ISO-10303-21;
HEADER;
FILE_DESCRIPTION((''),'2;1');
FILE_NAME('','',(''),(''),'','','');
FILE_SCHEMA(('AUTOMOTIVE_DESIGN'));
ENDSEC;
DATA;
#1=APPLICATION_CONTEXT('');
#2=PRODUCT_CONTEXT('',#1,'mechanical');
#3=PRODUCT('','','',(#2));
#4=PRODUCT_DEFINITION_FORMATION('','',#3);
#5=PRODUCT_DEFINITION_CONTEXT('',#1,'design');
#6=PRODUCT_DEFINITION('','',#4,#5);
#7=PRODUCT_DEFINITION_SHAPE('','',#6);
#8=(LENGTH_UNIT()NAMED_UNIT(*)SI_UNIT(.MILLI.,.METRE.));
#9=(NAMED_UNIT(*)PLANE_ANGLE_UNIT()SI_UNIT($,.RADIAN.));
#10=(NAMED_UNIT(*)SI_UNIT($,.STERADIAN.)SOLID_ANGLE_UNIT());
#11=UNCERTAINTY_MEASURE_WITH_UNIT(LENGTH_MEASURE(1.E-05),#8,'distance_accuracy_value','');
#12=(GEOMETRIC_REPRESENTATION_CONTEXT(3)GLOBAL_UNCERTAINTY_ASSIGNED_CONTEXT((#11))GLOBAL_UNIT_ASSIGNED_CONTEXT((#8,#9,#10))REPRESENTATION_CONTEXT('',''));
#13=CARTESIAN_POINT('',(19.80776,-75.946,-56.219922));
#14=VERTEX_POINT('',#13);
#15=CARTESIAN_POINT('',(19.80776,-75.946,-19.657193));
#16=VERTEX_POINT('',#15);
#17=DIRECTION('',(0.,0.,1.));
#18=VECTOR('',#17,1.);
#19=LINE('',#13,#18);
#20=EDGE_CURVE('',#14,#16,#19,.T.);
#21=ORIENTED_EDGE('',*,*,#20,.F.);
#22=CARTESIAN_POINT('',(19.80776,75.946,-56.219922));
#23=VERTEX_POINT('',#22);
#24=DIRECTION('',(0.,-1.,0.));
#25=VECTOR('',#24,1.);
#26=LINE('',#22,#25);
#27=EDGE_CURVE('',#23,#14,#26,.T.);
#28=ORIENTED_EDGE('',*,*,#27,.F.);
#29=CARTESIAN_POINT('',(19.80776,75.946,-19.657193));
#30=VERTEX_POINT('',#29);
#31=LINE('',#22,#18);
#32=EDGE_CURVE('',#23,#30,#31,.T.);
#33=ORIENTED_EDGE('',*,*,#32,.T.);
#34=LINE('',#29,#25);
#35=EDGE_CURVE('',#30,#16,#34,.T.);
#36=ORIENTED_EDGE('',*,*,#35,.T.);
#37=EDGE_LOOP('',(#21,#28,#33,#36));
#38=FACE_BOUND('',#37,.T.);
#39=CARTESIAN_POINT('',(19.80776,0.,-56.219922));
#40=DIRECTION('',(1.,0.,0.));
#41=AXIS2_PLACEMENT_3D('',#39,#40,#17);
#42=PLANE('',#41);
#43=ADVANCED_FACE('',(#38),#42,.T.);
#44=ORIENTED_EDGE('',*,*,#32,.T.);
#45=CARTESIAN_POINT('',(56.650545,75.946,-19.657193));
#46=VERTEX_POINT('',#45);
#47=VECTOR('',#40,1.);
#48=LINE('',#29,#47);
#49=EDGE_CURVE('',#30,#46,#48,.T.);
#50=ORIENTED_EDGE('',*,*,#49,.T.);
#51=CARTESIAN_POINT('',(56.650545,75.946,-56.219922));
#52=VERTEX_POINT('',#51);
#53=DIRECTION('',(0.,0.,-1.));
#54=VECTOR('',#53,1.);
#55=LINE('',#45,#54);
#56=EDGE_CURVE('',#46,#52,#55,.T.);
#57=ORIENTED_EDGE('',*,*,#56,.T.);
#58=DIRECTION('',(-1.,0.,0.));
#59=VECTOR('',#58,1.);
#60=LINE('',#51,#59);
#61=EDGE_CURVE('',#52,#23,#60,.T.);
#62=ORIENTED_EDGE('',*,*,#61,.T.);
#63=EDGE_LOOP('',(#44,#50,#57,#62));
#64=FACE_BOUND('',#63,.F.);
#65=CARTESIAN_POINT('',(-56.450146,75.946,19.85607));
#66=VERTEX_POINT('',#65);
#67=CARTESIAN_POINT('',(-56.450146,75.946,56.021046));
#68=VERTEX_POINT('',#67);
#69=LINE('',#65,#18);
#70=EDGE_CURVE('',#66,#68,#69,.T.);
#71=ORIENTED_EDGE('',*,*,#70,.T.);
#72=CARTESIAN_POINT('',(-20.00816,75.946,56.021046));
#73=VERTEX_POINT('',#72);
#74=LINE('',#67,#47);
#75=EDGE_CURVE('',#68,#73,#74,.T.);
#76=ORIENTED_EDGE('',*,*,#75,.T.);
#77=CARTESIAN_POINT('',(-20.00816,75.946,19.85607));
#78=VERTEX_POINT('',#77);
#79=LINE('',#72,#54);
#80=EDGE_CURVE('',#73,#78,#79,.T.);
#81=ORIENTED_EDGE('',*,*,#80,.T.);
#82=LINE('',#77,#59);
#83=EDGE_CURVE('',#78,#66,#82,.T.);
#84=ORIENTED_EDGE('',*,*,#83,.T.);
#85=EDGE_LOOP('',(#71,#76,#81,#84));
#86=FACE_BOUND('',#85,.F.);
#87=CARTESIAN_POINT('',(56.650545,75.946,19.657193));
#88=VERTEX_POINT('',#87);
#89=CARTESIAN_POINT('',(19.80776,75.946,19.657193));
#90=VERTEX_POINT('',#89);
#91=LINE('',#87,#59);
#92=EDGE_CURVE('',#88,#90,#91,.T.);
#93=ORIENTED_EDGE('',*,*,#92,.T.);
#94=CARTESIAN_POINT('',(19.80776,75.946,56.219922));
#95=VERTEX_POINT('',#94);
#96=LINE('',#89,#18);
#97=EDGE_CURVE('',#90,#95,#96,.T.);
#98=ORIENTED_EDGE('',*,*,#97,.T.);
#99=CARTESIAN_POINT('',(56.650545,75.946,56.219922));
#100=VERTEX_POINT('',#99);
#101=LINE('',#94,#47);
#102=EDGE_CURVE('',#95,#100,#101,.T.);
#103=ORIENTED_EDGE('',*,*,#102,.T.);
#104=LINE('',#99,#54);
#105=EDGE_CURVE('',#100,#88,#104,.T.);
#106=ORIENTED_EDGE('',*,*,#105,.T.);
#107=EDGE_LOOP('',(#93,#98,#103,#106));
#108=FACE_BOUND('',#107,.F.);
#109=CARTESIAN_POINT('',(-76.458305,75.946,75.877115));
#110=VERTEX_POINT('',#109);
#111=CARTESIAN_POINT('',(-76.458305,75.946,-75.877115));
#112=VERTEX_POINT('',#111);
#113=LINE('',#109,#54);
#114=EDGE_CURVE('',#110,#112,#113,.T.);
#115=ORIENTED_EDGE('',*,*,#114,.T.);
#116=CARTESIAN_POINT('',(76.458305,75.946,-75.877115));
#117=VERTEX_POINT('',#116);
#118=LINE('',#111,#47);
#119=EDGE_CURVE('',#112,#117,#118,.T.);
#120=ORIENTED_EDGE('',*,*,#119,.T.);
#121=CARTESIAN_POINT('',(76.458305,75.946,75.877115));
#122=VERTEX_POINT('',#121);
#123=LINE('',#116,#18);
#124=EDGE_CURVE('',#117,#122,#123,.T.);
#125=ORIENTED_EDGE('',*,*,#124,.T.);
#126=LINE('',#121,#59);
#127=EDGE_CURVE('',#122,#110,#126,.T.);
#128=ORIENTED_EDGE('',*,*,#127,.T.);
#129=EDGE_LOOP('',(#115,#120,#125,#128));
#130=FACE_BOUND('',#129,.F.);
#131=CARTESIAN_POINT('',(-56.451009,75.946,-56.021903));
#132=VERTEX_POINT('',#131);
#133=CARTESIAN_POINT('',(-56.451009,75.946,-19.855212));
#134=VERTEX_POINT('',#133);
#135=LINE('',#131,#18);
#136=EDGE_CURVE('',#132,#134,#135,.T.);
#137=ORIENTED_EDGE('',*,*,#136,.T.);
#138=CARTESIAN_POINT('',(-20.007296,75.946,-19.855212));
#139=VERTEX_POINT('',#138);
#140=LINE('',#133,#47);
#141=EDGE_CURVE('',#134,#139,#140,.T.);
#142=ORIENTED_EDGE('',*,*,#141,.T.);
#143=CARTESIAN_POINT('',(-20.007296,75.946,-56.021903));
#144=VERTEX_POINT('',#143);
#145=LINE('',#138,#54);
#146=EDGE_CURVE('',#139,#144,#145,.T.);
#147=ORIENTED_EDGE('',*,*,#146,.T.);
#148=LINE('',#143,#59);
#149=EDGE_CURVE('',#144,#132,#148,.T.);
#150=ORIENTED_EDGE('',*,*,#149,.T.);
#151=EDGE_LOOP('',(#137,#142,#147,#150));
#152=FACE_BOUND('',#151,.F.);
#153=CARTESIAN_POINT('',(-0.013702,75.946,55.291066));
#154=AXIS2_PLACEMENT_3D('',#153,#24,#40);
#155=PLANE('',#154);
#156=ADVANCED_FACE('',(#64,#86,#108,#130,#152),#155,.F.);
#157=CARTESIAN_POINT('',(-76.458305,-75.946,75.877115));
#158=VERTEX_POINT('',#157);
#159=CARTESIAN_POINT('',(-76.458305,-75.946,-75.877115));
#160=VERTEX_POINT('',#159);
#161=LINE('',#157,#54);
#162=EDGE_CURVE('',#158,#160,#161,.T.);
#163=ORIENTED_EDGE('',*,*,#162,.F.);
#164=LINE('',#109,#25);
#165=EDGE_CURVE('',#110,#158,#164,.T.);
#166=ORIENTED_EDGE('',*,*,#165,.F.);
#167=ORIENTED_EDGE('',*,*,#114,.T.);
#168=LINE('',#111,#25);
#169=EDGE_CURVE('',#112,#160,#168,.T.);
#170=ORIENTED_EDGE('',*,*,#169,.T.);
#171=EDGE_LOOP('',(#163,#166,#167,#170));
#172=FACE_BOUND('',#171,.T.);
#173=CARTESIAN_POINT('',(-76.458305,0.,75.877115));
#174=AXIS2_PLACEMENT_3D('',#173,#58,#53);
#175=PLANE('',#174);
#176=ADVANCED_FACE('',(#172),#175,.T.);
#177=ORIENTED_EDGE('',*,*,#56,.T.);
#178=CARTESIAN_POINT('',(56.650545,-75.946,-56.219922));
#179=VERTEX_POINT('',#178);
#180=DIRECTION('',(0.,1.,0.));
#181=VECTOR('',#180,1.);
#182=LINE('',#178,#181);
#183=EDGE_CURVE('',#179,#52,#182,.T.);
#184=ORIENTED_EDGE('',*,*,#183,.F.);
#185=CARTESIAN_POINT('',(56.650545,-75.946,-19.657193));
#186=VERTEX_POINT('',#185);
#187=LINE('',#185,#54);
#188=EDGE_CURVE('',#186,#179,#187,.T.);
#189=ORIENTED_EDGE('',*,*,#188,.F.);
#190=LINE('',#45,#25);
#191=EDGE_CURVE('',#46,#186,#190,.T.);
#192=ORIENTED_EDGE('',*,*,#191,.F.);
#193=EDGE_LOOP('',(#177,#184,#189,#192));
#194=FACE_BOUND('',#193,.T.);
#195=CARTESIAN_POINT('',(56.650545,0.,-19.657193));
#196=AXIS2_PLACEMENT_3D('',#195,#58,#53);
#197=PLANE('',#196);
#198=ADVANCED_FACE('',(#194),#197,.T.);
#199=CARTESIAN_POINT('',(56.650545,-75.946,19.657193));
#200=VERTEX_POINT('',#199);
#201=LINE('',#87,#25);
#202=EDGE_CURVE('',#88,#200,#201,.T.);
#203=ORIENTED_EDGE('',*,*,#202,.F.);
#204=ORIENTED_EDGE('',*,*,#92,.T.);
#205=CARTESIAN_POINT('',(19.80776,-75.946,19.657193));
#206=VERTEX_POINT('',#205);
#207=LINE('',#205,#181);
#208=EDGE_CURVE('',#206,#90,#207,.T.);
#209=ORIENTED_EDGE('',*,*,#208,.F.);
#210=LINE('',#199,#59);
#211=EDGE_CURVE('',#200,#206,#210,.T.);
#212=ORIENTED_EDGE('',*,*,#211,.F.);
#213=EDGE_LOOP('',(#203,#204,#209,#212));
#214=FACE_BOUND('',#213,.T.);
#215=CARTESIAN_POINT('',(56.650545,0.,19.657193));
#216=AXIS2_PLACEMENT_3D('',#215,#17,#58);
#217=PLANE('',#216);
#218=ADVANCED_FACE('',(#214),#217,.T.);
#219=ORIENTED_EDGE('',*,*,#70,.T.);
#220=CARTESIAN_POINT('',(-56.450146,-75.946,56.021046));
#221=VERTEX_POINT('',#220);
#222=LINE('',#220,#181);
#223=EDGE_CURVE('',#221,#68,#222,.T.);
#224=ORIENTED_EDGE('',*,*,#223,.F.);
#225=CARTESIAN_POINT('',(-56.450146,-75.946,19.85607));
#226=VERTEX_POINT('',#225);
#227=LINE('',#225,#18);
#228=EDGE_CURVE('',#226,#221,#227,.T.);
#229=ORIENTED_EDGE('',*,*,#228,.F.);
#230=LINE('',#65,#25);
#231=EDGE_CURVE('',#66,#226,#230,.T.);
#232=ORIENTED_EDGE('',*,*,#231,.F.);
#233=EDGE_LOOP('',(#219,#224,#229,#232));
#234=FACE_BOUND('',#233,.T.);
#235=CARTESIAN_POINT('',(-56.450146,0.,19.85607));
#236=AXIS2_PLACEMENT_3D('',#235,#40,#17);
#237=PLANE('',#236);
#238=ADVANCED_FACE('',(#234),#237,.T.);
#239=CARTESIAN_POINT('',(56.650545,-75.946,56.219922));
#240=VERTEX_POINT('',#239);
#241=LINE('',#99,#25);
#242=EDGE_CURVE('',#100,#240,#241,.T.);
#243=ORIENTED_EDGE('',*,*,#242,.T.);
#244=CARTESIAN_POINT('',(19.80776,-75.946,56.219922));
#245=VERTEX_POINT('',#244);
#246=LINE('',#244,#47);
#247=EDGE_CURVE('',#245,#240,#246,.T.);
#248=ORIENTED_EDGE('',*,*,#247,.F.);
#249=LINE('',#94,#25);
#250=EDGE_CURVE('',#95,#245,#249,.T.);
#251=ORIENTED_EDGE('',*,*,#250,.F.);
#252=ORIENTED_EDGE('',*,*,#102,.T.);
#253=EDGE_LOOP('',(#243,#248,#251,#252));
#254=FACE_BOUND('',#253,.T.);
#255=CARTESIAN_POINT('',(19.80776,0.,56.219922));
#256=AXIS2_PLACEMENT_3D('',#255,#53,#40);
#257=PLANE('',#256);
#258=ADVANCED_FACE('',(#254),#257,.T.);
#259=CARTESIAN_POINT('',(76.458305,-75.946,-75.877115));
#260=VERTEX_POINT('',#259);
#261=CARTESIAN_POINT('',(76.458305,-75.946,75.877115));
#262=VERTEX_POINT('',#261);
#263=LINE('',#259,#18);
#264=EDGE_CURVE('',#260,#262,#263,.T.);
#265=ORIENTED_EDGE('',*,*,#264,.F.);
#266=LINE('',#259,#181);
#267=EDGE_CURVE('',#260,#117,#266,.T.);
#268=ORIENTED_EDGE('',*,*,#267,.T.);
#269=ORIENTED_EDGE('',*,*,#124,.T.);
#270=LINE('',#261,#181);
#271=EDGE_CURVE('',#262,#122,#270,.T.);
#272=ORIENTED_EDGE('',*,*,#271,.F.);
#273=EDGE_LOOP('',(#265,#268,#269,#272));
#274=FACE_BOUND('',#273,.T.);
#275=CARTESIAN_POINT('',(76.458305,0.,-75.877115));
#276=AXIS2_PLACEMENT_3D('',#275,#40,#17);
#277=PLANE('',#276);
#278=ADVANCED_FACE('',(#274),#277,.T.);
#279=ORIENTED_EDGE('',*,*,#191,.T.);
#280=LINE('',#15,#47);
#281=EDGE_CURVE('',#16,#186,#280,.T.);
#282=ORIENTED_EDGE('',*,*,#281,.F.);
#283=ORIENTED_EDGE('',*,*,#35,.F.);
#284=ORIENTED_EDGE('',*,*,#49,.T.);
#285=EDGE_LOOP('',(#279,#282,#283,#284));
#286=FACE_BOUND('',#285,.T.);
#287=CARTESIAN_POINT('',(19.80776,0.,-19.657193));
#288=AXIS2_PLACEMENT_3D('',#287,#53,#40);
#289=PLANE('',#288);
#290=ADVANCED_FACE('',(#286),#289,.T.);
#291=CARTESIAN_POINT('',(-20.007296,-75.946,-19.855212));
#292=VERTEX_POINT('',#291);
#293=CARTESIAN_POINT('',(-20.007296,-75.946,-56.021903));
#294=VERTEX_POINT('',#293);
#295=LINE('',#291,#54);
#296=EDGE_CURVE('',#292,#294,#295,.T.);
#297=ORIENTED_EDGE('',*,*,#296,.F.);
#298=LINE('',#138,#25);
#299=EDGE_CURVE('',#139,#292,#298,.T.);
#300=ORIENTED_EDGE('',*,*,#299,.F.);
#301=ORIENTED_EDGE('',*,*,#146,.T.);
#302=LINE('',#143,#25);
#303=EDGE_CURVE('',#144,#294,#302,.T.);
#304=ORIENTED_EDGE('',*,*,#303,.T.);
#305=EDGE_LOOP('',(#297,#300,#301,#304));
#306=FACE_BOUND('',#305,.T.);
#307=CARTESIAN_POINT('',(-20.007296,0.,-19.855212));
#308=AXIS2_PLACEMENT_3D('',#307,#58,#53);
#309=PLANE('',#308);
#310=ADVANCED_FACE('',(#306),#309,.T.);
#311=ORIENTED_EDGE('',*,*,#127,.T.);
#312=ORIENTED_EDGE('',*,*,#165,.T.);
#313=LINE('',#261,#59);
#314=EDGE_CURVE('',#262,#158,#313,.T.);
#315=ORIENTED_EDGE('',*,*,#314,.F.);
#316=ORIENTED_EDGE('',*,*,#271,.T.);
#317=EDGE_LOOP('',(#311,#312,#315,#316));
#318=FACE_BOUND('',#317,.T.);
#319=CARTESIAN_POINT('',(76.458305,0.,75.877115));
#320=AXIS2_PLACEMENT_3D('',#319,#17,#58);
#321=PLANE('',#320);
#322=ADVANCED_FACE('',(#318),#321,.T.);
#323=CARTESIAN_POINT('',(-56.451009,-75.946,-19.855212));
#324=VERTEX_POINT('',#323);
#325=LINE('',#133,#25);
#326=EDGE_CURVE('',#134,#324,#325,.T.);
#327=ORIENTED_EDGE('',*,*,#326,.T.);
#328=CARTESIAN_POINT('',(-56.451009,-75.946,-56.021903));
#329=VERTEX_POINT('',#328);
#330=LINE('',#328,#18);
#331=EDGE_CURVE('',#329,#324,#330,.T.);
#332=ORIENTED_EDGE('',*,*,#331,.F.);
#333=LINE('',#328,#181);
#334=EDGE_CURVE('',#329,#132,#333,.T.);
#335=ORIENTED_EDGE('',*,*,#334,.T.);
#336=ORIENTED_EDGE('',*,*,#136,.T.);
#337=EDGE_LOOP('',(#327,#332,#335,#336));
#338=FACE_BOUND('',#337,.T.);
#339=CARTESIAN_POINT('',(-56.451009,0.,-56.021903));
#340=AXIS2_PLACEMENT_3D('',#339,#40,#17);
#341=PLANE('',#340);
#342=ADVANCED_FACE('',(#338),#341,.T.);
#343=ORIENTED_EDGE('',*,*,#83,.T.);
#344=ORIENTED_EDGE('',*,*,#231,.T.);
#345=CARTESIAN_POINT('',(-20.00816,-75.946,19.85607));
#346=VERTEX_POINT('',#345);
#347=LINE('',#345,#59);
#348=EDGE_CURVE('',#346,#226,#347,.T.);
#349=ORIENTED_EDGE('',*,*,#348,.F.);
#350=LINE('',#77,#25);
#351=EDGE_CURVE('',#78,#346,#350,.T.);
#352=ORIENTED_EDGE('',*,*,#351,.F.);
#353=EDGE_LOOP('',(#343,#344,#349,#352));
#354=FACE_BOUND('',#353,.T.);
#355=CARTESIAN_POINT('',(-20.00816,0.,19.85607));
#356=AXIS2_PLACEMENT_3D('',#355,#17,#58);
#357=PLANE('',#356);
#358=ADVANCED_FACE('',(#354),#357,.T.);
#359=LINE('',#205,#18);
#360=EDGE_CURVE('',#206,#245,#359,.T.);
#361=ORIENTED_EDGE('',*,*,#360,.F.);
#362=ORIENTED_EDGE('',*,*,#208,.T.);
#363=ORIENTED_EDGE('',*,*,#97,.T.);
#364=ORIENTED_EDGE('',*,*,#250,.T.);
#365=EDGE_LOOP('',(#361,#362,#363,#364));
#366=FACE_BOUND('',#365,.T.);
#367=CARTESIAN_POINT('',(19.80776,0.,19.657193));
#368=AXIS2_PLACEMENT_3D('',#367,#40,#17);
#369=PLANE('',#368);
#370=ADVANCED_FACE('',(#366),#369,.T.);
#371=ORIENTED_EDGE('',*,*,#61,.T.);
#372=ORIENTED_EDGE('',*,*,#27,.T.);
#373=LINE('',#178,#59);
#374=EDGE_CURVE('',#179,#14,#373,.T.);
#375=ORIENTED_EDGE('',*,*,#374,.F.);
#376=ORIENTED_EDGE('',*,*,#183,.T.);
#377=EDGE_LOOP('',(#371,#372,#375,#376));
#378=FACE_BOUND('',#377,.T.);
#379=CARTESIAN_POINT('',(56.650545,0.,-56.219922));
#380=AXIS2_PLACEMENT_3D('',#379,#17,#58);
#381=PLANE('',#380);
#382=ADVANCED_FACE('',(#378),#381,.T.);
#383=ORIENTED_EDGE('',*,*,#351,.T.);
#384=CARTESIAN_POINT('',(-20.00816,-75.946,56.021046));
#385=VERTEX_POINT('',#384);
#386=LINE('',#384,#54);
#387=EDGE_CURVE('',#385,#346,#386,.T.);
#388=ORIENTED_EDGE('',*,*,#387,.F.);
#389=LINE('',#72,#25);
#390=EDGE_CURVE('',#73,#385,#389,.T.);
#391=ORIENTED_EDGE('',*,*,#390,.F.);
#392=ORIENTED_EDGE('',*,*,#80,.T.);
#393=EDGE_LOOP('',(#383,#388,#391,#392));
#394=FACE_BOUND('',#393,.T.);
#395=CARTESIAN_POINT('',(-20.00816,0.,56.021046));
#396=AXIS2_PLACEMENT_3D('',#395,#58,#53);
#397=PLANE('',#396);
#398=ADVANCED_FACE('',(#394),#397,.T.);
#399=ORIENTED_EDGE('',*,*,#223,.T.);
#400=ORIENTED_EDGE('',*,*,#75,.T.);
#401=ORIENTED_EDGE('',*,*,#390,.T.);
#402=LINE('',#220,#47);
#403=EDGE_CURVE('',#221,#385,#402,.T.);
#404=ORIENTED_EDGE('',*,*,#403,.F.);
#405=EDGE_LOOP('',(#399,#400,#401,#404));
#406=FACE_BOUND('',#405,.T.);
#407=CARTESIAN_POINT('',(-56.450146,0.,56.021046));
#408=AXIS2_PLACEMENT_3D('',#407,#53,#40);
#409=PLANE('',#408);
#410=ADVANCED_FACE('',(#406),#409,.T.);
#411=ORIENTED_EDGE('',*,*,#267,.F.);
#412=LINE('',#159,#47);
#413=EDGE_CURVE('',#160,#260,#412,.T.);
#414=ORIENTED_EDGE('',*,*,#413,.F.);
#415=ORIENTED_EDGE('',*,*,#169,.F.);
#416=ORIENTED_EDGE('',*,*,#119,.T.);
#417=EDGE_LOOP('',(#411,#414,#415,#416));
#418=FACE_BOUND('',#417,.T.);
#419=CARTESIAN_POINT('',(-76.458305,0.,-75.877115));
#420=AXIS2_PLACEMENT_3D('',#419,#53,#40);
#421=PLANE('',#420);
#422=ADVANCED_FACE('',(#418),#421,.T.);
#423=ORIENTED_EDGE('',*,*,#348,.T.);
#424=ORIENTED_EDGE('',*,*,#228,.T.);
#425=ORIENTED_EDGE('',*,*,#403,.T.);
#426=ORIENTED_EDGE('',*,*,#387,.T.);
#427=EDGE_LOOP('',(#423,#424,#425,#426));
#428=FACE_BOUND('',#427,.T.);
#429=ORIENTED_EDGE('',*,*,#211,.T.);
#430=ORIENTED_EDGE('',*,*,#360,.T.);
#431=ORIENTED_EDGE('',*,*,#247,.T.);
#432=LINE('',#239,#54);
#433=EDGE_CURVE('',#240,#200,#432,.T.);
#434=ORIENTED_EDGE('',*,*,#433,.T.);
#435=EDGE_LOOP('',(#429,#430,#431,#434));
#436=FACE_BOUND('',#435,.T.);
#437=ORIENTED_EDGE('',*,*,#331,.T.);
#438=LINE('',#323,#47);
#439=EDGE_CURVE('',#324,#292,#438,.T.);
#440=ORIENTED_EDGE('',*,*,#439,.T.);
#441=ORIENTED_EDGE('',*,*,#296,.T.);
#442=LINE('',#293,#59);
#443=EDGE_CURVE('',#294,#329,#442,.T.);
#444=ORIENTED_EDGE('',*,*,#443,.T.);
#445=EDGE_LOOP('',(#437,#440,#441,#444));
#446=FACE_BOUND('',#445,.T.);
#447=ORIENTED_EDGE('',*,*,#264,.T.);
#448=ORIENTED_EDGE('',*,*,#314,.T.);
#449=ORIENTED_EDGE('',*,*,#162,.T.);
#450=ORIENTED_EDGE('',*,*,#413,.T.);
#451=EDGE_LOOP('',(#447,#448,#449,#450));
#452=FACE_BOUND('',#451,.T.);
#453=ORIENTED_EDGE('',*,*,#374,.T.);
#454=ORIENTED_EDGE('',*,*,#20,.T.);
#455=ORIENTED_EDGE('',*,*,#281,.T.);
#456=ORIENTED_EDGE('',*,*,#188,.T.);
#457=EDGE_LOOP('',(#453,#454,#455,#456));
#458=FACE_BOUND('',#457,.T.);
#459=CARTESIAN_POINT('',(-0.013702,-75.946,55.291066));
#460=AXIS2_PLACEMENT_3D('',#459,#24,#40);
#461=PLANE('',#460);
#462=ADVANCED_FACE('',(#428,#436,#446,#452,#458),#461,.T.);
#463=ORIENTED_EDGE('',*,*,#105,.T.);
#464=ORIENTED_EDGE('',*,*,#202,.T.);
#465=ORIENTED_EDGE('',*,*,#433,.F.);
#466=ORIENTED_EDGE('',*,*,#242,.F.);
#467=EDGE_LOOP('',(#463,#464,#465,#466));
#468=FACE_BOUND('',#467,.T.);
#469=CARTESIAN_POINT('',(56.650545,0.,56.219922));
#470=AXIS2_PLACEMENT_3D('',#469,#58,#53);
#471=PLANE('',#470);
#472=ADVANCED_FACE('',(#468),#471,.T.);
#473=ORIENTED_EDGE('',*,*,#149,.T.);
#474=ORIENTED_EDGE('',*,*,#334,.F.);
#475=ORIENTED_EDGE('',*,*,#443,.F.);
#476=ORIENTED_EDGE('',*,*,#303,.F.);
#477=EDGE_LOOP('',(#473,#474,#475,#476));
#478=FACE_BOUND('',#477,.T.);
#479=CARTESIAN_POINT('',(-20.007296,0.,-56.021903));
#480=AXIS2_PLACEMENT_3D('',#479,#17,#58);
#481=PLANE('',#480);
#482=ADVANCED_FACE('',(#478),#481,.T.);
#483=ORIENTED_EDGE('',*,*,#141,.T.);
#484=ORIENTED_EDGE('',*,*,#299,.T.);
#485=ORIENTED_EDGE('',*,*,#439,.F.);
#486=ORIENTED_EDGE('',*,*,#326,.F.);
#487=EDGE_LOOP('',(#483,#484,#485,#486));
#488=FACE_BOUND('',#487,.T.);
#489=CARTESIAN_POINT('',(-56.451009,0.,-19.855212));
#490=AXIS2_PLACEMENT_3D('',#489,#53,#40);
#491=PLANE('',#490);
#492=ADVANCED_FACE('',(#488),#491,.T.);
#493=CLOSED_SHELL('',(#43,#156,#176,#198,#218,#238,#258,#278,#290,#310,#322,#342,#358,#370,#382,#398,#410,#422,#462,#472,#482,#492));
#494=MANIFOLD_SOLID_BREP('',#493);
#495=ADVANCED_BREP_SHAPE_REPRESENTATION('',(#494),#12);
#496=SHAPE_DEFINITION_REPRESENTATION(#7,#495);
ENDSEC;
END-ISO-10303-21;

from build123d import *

# Parameters (mm, degrees)
F1_DEPTH = 75.946


with BuildPart() as f1:
    # F0 (on Front) → F1 (new body, symmetric)
    with BuildSketch(Plane.XZ):
        Polygon((76.458305, 75.877115), (-76.458305, 75.877115), (-56.450146, 56.021046), (-20.00816, 56.021046), (-20.00816, 19.85607), (0, 0), (19.80776, 19.657193), (19.80776, 56.219922), (56.650545, 56.219922), align=None)
        Polygon((-56.450146, 56.021046), (-76.458305, 75.877115), (-76.458305, -75.877115), (-56.451009, -56.021903), (-56.451009, -19.855212), (-20.007296, -19.855212), (0, 0), (-20.00816, 19.85607), (-56.450146, 19.85607), align=None)
        Polygon((-56.451009, -56.021903), (-76.458305, -75.877115), (76.458305, -75.877115), (56.650545, -56.219922), (19.80776, -56.219922), (19.80776, -19.657193), (0, 0), (-20.007296, -19.855212), (-20.007296, -56.021903), align=None)
        Polygon((76.458305, -75.877115), (76.458305, 75.877115), (56.650545, 56.219922), (56.650545, 19.657193), (19.80776, 19.657193), (0, 0), (19.80776, -19.657193), (56.650545, -19.657193), (56.650545, -56.219922), align=None)
    extrude(amount=F1_DEPTH, both=True)


solid = f1.part
